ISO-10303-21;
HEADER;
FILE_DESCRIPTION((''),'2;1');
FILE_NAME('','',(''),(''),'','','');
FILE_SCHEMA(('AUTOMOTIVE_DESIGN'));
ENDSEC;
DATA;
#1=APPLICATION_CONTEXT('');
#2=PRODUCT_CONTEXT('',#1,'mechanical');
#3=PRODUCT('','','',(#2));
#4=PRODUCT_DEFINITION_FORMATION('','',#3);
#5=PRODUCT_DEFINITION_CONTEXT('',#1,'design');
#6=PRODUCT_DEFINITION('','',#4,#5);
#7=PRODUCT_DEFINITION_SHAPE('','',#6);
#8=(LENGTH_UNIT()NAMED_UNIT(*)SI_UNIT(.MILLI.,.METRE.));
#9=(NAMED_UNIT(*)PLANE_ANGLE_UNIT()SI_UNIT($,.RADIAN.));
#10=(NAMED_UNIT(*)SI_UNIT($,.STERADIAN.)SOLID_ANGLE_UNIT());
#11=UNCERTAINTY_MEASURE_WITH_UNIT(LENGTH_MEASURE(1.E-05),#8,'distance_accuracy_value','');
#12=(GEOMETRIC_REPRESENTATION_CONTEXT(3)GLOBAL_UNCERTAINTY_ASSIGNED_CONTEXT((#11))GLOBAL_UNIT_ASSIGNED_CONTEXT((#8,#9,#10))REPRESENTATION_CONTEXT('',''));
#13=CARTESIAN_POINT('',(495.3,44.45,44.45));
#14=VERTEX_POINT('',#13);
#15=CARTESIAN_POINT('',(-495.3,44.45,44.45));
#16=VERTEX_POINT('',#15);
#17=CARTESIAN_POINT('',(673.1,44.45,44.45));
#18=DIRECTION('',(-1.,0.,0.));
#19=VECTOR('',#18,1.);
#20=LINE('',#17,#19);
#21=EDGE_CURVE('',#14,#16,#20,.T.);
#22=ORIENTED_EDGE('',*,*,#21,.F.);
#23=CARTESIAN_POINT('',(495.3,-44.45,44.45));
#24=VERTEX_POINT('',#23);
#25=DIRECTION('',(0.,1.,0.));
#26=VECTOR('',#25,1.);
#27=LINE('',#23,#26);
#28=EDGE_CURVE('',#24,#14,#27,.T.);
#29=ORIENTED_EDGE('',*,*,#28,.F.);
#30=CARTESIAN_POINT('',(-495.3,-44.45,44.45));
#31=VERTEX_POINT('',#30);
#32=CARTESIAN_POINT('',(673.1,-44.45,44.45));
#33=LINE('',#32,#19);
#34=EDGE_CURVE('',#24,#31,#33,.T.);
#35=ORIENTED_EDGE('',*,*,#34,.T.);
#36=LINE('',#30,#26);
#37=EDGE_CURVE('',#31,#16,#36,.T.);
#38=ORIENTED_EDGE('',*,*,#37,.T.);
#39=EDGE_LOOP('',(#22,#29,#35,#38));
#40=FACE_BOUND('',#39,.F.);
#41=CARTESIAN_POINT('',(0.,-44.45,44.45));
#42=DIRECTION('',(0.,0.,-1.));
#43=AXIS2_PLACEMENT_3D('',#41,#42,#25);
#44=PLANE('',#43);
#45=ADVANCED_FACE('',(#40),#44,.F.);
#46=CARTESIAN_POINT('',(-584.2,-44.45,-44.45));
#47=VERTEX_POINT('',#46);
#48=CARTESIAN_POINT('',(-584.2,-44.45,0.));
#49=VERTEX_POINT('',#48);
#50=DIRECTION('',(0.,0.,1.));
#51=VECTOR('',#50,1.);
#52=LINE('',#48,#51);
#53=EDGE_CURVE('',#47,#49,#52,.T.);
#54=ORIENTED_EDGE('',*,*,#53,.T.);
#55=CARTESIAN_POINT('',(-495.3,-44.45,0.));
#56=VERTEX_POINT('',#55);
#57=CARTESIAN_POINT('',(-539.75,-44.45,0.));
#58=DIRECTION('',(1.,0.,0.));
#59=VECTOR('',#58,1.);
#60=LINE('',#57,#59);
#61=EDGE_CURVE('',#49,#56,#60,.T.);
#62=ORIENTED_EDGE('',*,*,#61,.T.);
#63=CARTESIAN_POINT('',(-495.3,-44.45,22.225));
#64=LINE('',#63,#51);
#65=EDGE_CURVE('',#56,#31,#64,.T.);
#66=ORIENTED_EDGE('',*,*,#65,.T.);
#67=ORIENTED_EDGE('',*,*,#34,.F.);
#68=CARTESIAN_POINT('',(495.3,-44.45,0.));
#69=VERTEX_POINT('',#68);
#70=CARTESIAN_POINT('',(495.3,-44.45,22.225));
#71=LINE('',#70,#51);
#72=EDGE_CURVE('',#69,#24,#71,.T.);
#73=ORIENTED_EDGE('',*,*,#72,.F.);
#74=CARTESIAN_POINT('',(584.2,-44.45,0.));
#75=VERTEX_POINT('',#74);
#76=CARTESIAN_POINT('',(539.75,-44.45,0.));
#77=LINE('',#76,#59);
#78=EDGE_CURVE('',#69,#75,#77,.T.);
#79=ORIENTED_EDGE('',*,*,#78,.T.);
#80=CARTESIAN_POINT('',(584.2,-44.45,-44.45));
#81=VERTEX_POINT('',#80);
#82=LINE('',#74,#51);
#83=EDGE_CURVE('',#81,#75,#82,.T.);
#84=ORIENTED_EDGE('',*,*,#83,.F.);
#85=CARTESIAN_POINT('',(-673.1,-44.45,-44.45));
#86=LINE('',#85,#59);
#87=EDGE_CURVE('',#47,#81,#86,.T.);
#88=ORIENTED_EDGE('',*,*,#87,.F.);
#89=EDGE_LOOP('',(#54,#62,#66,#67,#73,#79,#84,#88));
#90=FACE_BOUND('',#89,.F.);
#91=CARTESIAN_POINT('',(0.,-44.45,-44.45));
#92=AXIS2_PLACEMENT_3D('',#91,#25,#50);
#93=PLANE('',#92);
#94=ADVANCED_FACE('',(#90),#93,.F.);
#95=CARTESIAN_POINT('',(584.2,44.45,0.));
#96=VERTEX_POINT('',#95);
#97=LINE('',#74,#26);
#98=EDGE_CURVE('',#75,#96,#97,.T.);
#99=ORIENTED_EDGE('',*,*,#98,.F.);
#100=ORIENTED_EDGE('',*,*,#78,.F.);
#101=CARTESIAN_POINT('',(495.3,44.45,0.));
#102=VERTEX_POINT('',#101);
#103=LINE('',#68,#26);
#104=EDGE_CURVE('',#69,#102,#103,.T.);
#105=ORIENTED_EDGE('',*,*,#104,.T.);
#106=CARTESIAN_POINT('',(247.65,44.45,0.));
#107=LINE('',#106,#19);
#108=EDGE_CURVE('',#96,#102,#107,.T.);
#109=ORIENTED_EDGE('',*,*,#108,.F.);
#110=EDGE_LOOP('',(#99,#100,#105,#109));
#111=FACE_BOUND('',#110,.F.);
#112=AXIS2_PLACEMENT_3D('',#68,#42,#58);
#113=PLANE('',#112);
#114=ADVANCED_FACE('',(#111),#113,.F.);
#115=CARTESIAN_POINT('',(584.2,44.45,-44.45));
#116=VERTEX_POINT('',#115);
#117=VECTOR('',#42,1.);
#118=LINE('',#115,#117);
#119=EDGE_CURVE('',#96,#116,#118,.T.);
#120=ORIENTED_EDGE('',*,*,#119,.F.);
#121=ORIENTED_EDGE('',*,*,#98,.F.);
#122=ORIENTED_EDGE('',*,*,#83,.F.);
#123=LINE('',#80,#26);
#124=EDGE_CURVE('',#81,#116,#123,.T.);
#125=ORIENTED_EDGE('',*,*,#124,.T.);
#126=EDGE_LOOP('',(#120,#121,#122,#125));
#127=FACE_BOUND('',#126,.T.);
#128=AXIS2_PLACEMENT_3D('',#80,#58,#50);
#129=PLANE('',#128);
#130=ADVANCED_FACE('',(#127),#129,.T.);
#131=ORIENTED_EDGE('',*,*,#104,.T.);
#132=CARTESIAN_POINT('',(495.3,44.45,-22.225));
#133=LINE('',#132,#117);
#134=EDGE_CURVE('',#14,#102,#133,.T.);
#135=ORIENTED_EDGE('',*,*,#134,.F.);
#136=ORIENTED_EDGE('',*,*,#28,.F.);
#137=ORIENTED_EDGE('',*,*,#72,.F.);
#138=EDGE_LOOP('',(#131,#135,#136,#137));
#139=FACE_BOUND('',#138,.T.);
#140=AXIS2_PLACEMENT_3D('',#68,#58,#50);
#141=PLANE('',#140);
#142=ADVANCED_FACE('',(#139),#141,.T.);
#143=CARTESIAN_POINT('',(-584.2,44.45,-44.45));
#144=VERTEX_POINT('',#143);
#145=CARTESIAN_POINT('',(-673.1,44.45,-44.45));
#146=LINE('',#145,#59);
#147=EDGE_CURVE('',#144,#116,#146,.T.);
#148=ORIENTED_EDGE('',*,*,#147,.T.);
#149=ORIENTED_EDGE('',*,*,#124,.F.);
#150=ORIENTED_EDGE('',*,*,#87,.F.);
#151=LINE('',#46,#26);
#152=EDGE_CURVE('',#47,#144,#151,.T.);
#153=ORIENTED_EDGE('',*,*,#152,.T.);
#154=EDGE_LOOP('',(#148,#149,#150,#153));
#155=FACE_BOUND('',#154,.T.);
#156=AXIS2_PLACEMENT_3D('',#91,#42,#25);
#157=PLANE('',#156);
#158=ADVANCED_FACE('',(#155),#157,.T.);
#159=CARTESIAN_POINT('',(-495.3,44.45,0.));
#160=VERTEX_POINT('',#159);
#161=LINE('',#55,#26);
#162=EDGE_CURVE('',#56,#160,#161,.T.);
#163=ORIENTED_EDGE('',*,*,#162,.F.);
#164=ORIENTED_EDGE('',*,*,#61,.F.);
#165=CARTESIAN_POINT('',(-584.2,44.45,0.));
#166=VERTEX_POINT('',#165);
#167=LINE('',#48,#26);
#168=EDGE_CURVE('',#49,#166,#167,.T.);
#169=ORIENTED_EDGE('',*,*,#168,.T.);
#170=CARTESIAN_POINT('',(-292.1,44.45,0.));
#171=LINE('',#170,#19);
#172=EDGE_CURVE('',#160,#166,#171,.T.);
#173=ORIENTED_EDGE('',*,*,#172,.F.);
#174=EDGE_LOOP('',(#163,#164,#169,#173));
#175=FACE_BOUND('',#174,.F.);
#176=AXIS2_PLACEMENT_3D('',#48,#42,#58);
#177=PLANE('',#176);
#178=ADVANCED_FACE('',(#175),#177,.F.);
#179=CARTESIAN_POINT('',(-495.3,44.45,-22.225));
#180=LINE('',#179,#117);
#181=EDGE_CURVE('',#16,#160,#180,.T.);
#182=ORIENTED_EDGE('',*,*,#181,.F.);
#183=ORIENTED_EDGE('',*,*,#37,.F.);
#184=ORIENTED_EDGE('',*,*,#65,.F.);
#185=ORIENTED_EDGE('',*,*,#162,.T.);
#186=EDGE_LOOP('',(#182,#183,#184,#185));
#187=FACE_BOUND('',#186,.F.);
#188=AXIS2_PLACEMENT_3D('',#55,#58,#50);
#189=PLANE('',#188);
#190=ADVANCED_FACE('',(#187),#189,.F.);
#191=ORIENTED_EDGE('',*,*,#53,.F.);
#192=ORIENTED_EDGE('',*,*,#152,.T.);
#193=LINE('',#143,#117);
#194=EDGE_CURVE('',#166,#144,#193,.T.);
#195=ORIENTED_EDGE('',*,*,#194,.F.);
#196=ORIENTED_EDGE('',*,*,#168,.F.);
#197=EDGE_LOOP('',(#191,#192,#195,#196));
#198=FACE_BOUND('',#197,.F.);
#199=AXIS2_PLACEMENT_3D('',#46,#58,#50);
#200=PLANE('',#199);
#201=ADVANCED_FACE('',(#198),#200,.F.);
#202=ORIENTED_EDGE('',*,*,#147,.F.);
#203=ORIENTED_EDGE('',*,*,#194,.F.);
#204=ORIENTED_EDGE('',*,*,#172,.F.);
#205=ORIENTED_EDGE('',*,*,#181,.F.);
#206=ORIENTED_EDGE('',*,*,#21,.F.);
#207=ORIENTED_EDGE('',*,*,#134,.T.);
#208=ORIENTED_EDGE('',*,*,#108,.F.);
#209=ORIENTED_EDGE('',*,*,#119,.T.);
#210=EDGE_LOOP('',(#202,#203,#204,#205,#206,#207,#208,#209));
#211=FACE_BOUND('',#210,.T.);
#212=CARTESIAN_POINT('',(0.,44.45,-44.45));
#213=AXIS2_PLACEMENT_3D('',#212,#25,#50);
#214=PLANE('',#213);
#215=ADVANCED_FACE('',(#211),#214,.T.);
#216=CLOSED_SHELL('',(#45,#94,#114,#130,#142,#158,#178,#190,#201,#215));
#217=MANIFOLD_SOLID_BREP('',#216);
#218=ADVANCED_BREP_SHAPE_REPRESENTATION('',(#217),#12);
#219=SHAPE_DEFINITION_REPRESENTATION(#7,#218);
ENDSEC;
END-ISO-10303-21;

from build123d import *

# Parameters (mm, degrees)
F0_W     = 88.9
F0_H     = 88.9
F1_DEPTH = 673.1
F2_W     = 88.9
F2_H     = 44.45
F3_DEPTH = 88.901
F4_W     = 88.9
F4_H     = 88.9
F5_DEPTH = 88.901


with BuildPart() as f1:
    # F0 (on Right) → F1 (new body, symmetric)
    with BuildSketch(Plane.YZ):
        Rectangle(F0_W, F0_H)
    extrude(amount=F1_DEPTH, both=True)

    # F2 (on face) → F3 (cut, through all)
    with BuildSketch(Plane.XZ.offset(44.45)):
        with Locations((-539.75, 22.225)):
            Rectangle(F2_W, F2_H)
        with Locations((539.75, 22.225)):
            Rectangle(F2_W, F2_H)
    extrude(amount=-F3_DEPTH, mode=Mode.SUBTRACT)

    # F4 (on face) → F5 (cut, through all)
    with BuildSketch(Plane.XZ.offset(44.45)):
        with Locations((-628.65, 0)):
            Rectangle(F4_W, F4_H)
        with Locations((628.65, 0)):
            Rectangle(F4_W, F4_H)
    extrude(amount=-F5_DEPTH, mode=Mode.SUBTRACT)


solid = f1.part
